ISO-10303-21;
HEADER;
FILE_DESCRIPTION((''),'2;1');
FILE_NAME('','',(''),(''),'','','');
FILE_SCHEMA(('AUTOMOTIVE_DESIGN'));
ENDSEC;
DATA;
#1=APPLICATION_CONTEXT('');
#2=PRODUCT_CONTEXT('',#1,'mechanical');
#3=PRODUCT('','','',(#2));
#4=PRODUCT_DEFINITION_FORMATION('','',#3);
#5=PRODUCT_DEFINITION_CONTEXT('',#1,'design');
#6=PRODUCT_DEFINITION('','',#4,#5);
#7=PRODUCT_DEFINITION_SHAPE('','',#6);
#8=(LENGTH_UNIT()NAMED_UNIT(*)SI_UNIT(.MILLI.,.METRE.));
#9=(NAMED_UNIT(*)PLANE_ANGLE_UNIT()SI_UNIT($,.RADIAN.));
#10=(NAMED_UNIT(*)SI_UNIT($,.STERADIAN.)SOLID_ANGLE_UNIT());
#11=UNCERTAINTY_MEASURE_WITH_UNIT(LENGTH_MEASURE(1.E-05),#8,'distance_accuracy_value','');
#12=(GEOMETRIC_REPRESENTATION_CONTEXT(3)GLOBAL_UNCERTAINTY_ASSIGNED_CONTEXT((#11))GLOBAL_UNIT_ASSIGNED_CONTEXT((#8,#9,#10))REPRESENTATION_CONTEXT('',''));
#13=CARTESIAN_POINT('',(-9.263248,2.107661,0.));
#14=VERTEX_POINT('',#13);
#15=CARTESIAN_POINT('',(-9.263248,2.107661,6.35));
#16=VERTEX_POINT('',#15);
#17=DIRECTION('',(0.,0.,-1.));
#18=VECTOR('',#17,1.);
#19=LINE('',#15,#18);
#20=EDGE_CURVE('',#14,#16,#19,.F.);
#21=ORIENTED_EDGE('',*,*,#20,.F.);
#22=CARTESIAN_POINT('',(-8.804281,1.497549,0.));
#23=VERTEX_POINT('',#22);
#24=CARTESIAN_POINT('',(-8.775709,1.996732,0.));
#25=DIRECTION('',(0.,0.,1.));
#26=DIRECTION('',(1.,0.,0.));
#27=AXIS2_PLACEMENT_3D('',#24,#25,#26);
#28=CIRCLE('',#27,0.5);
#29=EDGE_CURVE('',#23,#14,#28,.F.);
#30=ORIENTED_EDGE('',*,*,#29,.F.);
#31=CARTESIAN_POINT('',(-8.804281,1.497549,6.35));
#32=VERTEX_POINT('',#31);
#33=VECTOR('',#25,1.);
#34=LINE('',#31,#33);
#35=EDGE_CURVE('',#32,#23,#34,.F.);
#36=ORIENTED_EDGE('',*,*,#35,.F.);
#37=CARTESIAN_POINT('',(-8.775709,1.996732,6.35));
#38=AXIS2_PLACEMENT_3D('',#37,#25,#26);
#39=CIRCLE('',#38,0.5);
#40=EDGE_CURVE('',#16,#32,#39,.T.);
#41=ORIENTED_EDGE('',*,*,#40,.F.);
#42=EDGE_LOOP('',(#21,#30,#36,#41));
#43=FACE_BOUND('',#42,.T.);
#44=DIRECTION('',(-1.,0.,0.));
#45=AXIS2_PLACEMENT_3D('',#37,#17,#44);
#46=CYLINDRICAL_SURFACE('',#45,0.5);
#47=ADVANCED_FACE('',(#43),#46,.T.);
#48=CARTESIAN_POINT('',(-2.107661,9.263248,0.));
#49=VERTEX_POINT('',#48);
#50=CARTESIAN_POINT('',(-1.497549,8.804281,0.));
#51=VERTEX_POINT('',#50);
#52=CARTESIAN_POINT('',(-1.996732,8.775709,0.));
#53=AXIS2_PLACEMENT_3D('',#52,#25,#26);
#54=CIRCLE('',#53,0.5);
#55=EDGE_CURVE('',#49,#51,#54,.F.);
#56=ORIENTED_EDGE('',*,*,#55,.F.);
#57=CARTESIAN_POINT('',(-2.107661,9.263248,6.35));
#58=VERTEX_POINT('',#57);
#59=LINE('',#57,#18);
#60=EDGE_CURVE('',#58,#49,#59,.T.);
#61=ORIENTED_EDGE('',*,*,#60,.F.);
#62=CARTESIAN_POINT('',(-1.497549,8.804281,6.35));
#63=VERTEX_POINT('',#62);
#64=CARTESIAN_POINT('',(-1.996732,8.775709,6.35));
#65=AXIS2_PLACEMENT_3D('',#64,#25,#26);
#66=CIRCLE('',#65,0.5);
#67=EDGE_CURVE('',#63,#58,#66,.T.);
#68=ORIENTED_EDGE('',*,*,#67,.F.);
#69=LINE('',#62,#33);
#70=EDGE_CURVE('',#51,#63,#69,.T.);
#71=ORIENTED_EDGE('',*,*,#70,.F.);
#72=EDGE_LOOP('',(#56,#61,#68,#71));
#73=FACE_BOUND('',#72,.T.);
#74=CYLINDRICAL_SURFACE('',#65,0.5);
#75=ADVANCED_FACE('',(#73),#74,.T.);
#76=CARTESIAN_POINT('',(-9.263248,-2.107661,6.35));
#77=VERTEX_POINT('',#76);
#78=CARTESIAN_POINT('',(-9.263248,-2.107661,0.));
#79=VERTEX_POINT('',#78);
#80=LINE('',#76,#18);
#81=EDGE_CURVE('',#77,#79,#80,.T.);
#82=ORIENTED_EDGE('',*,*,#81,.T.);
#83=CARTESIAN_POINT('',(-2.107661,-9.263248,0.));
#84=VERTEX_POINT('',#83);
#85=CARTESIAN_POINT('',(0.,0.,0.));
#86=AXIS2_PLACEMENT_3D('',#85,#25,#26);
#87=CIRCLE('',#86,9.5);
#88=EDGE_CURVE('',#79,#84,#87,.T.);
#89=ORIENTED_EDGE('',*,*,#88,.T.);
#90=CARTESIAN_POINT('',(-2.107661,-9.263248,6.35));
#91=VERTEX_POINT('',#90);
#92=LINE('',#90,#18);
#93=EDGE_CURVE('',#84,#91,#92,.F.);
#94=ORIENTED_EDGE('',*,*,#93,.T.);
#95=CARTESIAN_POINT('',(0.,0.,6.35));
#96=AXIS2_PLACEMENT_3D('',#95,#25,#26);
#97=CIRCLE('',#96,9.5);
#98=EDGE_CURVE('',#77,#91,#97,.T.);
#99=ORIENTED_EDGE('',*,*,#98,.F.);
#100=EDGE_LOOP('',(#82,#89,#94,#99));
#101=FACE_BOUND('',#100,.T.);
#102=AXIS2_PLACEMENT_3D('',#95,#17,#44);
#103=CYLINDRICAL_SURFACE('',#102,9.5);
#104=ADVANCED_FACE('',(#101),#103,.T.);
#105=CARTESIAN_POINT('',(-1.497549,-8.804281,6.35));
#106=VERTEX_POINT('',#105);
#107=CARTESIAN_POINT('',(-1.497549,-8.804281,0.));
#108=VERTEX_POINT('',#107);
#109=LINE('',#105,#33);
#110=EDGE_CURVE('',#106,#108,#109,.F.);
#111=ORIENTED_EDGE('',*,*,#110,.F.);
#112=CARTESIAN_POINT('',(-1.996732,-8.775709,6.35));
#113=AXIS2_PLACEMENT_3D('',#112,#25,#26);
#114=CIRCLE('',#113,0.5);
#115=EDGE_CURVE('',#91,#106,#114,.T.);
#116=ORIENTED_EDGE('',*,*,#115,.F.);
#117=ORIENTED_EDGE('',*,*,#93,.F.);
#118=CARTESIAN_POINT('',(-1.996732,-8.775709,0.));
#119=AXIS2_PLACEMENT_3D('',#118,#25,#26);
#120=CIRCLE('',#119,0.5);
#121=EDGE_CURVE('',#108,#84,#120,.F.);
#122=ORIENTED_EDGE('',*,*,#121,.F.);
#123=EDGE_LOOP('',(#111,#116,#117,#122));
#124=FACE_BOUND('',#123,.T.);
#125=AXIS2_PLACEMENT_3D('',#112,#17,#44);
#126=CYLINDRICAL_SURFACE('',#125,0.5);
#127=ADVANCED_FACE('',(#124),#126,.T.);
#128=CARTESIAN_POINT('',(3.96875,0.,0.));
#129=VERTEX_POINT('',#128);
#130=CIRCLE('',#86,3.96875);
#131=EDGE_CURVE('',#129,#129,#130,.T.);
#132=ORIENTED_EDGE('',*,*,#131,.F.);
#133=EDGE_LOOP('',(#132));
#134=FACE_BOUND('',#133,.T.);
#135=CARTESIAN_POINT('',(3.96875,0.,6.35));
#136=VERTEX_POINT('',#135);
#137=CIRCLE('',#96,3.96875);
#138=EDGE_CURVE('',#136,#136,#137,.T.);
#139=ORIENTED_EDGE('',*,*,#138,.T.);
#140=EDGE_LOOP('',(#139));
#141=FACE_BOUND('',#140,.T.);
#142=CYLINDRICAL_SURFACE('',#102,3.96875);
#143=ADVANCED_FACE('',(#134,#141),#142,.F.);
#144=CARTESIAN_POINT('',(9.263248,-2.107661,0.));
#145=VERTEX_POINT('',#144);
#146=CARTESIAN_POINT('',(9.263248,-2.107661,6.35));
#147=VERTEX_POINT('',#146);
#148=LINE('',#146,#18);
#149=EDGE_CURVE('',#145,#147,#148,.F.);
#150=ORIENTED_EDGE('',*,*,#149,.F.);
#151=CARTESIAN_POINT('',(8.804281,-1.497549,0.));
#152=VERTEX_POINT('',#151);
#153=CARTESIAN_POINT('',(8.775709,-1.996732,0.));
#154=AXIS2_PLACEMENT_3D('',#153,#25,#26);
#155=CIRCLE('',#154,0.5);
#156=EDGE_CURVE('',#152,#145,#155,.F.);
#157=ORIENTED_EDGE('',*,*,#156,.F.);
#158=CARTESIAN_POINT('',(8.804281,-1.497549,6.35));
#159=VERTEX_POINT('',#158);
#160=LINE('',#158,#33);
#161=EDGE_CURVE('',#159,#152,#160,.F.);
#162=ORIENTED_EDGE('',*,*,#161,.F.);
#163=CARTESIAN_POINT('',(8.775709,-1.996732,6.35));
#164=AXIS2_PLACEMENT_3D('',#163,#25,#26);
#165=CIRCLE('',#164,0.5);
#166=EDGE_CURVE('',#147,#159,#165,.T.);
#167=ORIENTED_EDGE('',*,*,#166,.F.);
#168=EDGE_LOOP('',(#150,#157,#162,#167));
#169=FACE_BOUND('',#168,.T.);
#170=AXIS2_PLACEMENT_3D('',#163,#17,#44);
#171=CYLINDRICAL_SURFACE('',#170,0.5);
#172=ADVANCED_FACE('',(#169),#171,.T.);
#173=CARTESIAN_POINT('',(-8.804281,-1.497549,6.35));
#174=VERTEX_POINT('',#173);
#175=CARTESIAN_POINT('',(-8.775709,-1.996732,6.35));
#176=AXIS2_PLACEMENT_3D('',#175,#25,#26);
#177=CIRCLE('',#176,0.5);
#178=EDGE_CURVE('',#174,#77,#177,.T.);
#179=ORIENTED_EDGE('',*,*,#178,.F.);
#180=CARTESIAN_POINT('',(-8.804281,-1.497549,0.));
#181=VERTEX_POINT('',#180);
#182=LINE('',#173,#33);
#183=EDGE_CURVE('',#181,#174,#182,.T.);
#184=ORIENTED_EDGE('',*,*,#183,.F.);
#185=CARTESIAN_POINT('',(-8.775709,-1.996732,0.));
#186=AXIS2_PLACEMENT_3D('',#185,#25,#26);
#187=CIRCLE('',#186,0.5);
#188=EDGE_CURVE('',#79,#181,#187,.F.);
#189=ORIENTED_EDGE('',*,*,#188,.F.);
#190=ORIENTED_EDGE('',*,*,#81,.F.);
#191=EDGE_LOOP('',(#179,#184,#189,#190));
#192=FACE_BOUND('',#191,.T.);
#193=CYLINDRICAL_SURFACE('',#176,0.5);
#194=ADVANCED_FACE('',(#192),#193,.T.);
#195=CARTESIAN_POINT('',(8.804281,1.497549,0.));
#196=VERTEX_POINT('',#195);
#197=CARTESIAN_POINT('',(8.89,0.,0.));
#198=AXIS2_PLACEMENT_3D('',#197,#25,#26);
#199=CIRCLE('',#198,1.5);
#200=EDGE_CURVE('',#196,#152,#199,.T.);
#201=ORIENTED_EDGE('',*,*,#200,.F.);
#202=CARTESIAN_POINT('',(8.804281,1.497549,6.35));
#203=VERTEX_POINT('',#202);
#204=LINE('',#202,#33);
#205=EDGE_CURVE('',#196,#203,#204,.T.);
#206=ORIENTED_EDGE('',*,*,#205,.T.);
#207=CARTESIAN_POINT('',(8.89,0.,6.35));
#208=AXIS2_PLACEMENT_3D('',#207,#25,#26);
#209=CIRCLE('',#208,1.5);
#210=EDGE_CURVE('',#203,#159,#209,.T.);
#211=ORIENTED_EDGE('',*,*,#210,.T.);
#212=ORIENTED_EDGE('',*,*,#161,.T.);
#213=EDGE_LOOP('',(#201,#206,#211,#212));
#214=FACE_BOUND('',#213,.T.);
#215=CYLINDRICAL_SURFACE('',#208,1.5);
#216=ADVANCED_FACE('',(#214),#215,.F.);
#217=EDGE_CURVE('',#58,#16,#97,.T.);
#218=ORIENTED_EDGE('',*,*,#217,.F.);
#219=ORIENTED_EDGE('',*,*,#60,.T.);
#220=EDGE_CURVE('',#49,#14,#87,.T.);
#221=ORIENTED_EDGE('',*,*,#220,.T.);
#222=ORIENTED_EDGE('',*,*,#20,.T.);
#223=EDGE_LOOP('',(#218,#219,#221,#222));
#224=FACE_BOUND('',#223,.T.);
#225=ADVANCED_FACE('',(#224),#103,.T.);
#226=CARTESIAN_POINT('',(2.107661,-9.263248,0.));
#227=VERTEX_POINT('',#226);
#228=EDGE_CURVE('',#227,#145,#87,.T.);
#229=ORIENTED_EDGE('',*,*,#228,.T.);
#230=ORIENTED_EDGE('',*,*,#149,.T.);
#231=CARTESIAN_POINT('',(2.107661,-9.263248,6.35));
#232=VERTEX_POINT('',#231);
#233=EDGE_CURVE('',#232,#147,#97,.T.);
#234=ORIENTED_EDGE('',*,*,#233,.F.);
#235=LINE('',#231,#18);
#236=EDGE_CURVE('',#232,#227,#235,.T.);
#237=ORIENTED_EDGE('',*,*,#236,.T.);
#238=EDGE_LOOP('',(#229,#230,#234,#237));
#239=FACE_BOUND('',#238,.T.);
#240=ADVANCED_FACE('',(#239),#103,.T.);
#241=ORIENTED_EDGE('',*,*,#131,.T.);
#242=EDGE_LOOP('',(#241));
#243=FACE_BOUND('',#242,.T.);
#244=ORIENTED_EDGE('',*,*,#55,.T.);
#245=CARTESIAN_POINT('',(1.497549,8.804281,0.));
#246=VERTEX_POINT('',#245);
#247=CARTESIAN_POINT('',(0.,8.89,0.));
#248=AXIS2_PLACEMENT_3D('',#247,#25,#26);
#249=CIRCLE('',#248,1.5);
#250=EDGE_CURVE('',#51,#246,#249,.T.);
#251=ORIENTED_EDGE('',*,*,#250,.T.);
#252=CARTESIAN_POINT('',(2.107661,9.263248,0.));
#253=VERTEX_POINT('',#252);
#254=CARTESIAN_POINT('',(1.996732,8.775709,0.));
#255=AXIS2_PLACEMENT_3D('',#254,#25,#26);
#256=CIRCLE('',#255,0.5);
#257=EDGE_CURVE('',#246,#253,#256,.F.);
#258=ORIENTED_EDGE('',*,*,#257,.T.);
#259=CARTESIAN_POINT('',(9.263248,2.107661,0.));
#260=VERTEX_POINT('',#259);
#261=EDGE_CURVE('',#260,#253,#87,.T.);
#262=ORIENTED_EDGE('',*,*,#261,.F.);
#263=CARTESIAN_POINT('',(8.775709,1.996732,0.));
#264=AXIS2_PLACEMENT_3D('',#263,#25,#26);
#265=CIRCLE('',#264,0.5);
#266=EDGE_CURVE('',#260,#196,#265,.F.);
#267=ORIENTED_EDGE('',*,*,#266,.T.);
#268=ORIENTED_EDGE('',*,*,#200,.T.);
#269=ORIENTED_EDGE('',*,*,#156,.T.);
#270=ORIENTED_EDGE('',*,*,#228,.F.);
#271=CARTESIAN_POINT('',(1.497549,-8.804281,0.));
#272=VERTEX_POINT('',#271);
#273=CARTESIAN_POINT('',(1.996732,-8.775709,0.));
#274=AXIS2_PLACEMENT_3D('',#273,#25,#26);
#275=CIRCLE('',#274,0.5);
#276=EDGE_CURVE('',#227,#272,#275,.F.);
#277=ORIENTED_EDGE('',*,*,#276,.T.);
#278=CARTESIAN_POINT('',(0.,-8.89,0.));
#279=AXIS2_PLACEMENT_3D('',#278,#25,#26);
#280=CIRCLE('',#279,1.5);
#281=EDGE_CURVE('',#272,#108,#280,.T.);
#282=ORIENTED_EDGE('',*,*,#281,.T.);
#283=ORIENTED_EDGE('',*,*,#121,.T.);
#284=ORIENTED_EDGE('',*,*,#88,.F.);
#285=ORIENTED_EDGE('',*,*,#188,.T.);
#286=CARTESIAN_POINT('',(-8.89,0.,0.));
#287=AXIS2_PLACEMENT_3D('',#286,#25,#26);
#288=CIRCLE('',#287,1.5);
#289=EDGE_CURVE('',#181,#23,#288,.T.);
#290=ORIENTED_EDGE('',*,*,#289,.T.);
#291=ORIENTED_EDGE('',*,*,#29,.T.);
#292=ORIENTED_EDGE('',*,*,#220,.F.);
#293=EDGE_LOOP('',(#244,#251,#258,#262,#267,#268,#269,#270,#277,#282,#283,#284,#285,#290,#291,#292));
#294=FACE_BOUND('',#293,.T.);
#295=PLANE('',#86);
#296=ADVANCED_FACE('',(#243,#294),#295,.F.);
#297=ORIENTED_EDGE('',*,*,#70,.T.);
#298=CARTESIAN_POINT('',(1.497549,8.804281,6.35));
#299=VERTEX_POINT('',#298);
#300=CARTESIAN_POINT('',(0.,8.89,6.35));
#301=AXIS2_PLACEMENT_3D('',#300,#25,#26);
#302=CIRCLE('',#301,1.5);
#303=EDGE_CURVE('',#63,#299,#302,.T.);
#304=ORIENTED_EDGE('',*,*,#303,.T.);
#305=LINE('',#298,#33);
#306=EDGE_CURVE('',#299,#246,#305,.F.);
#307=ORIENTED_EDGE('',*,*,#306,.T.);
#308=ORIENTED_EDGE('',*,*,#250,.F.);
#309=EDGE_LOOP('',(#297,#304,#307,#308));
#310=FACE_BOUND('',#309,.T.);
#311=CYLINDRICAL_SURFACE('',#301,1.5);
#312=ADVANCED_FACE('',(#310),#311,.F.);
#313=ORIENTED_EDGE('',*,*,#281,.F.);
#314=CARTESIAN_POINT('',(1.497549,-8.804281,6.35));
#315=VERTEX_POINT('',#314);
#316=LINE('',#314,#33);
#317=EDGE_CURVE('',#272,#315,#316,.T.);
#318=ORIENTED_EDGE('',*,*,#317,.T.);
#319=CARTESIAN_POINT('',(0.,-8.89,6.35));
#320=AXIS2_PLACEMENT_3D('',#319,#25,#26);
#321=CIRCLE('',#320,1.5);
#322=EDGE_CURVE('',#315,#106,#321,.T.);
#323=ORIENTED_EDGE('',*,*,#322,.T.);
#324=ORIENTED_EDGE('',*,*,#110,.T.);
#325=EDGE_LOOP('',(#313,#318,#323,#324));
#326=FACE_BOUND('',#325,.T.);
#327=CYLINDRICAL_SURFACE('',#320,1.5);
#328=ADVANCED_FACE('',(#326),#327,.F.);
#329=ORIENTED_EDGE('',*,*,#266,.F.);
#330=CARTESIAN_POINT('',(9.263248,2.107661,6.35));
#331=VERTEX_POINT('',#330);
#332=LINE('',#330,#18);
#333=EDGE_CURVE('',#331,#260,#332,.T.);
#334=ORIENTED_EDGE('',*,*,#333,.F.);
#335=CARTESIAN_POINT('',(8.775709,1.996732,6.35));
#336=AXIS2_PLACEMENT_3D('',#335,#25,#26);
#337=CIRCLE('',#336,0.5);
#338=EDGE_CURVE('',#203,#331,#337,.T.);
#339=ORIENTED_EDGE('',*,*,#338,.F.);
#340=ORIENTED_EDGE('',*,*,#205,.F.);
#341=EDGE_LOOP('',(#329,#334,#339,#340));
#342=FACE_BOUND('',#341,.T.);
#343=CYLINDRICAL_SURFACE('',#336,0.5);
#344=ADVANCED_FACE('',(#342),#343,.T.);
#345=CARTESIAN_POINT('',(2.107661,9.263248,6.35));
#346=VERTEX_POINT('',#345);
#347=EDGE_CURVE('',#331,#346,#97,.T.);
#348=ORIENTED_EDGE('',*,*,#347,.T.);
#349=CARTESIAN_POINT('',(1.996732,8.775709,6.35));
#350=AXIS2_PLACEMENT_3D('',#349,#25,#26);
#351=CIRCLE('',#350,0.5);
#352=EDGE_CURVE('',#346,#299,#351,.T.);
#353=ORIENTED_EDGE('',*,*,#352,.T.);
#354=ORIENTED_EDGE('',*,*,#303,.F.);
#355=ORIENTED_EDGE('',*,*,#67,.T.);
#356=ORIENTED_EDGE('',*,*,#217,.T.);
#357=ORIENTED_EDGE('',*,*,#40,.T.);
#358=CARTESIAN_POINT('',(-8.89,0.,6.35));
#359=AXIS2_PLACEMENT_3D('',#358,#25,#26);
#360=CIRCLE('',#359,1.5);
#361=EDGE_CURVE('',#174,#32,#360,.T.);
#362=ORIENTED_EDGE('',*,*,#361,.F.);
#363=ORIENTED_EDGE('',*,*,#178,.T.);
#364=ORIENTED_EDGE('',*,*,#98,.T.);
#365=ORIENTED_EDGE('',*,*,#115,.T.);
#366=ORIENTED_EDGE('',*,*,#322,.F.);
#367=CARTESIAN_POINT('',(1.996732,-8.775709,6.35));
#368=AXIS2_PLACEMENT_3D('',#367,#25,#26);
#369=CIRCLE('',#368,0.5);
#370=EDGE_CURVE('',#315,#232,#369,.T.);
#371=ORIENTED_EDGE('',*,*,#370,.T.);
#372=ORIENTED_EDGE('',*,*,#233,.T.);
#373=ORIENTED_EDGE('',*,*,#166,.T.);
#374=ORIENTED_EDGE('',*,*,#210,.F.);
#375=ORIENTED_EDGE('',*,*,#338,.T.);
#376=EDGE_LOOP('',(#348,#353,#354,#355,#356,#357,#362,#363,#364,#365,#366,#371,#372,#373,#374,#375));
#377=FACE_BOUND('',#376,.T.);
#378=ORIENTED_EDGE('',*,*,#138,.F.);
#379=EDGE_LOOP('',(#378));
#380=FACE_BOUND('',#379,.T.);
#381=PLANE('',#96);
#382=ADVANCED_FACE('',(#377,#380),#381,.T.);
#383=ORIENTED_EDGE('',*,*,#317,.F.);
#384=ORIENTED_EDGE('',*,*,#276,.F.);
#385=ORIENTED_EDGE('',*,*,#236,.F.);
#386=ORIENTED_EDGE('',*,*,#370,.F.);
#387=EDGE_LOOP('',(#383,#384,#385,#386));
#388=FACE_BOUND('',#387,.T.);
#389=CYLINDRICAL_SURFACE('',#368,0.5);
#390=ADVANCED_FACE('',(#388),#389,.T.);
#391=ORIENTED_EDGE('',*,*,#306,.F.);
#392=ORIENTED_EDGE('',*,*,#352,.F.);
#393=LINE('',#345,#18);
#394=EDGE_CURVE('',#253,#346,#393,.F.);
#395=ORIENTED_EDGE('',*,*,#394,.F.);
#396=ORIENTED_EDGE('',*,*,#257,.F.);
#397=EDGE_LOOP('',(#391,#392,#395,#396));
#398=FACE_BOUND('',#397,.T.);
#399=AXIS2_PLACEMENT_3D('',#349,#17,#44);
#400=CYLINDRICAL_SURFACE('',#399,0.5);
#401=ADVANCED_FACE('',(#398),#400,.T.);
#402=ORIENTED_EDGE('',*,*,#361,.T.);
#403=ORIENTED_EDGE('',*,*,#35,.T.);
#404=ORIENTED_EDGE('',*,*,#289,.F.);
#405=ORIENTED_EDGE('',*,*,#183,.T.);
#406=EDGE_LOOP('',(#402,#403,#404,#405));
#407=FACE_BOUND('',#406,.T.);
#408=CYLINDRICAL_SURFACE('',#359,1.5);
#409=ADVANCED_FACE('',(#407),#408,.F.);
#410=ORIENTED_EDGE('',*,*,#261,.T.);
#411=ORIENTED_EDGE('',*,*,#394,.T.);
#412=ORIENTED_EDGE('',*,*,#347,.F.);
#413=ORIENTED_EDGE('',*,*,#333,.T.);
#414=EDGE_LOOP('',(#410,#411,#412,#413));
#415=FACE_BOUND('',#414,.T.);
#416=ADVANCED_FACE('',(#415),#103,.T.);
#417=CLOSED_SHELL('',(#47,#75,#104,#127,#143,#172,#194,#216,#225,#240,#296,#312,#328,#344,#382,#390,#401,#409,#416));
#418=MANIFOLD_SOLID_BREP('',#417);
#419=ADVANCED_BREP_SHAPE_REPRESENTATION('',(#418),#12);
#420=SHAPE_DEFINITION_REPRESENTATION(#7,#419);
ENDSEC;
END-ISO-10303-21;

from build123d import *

# Parameters (mm, degrees)
SKETCH1_R             = 9.5
SKETCH1_R_2           = 3.96875
BOSS_EXTRUDE1_DEPTH   = 6.35
F_3_0MM_DOWEL_HOLE1_D = 3
CIRPATTERN1_COUNT     = 4
FILLET1_R             = 0.5


with BuildPart() as part:
    # Sketch1 → Boss-Extrude1 (new body)
    with BuildSketch(Plane.XY):
        Circle(SKETCH1_R)
        Circle(SKETCH1_R_2, mode=Mode.SUBTRACT)
    extrude(amount=BOSS_EXTRUDE1_DEPTH)

    # Ø3.0mm Dowel Hole1 (through all)
    with Locations(Plane.XY.offset(6.35)):
        with Locations((0, 8.89)):
            f_3_0mm_dowel_hole1 = Hole(F_3_0MM_DOWEL_HOLE1_D / 2)

    # CirPattern1: Ø3.0mm Dowel Hole1 ×4 about axis
    cirpattern1_axis = Axis((0, 0, 0), (0, 0, 1))
    for i in range(1, CIRPATTERN1_COUNT):
        add(f_3_0mm_dowel_hole1.rotate(cirpattern1_axis, i * 360 / CIRPATTERN1_COUNT), mode=Mode.SUBTRACT)

    # Fillet1
    fillet1_edges = [part.edges().sort_by_distance(p)[0] for p in [
        (-1.412656886, 9.394381327, 3.175),
        (1.412656886, 9.394381327, 3.175),
        (-9.394381327, -1.412656886, 3.175),
        (-9.394381327, 1.412656886, 3.175),
        (1.412656886, -9.394381327, 3.175),
        (-1.412656886, -9.394381327, 3.175),
        (9.394381327, 1.412656886, 3.175),
        (9.394381327, -1.412656886, 3.175),
    ]]
    fillet(fillet1_edges, radius=FILLET1_R)


solid = part.part
